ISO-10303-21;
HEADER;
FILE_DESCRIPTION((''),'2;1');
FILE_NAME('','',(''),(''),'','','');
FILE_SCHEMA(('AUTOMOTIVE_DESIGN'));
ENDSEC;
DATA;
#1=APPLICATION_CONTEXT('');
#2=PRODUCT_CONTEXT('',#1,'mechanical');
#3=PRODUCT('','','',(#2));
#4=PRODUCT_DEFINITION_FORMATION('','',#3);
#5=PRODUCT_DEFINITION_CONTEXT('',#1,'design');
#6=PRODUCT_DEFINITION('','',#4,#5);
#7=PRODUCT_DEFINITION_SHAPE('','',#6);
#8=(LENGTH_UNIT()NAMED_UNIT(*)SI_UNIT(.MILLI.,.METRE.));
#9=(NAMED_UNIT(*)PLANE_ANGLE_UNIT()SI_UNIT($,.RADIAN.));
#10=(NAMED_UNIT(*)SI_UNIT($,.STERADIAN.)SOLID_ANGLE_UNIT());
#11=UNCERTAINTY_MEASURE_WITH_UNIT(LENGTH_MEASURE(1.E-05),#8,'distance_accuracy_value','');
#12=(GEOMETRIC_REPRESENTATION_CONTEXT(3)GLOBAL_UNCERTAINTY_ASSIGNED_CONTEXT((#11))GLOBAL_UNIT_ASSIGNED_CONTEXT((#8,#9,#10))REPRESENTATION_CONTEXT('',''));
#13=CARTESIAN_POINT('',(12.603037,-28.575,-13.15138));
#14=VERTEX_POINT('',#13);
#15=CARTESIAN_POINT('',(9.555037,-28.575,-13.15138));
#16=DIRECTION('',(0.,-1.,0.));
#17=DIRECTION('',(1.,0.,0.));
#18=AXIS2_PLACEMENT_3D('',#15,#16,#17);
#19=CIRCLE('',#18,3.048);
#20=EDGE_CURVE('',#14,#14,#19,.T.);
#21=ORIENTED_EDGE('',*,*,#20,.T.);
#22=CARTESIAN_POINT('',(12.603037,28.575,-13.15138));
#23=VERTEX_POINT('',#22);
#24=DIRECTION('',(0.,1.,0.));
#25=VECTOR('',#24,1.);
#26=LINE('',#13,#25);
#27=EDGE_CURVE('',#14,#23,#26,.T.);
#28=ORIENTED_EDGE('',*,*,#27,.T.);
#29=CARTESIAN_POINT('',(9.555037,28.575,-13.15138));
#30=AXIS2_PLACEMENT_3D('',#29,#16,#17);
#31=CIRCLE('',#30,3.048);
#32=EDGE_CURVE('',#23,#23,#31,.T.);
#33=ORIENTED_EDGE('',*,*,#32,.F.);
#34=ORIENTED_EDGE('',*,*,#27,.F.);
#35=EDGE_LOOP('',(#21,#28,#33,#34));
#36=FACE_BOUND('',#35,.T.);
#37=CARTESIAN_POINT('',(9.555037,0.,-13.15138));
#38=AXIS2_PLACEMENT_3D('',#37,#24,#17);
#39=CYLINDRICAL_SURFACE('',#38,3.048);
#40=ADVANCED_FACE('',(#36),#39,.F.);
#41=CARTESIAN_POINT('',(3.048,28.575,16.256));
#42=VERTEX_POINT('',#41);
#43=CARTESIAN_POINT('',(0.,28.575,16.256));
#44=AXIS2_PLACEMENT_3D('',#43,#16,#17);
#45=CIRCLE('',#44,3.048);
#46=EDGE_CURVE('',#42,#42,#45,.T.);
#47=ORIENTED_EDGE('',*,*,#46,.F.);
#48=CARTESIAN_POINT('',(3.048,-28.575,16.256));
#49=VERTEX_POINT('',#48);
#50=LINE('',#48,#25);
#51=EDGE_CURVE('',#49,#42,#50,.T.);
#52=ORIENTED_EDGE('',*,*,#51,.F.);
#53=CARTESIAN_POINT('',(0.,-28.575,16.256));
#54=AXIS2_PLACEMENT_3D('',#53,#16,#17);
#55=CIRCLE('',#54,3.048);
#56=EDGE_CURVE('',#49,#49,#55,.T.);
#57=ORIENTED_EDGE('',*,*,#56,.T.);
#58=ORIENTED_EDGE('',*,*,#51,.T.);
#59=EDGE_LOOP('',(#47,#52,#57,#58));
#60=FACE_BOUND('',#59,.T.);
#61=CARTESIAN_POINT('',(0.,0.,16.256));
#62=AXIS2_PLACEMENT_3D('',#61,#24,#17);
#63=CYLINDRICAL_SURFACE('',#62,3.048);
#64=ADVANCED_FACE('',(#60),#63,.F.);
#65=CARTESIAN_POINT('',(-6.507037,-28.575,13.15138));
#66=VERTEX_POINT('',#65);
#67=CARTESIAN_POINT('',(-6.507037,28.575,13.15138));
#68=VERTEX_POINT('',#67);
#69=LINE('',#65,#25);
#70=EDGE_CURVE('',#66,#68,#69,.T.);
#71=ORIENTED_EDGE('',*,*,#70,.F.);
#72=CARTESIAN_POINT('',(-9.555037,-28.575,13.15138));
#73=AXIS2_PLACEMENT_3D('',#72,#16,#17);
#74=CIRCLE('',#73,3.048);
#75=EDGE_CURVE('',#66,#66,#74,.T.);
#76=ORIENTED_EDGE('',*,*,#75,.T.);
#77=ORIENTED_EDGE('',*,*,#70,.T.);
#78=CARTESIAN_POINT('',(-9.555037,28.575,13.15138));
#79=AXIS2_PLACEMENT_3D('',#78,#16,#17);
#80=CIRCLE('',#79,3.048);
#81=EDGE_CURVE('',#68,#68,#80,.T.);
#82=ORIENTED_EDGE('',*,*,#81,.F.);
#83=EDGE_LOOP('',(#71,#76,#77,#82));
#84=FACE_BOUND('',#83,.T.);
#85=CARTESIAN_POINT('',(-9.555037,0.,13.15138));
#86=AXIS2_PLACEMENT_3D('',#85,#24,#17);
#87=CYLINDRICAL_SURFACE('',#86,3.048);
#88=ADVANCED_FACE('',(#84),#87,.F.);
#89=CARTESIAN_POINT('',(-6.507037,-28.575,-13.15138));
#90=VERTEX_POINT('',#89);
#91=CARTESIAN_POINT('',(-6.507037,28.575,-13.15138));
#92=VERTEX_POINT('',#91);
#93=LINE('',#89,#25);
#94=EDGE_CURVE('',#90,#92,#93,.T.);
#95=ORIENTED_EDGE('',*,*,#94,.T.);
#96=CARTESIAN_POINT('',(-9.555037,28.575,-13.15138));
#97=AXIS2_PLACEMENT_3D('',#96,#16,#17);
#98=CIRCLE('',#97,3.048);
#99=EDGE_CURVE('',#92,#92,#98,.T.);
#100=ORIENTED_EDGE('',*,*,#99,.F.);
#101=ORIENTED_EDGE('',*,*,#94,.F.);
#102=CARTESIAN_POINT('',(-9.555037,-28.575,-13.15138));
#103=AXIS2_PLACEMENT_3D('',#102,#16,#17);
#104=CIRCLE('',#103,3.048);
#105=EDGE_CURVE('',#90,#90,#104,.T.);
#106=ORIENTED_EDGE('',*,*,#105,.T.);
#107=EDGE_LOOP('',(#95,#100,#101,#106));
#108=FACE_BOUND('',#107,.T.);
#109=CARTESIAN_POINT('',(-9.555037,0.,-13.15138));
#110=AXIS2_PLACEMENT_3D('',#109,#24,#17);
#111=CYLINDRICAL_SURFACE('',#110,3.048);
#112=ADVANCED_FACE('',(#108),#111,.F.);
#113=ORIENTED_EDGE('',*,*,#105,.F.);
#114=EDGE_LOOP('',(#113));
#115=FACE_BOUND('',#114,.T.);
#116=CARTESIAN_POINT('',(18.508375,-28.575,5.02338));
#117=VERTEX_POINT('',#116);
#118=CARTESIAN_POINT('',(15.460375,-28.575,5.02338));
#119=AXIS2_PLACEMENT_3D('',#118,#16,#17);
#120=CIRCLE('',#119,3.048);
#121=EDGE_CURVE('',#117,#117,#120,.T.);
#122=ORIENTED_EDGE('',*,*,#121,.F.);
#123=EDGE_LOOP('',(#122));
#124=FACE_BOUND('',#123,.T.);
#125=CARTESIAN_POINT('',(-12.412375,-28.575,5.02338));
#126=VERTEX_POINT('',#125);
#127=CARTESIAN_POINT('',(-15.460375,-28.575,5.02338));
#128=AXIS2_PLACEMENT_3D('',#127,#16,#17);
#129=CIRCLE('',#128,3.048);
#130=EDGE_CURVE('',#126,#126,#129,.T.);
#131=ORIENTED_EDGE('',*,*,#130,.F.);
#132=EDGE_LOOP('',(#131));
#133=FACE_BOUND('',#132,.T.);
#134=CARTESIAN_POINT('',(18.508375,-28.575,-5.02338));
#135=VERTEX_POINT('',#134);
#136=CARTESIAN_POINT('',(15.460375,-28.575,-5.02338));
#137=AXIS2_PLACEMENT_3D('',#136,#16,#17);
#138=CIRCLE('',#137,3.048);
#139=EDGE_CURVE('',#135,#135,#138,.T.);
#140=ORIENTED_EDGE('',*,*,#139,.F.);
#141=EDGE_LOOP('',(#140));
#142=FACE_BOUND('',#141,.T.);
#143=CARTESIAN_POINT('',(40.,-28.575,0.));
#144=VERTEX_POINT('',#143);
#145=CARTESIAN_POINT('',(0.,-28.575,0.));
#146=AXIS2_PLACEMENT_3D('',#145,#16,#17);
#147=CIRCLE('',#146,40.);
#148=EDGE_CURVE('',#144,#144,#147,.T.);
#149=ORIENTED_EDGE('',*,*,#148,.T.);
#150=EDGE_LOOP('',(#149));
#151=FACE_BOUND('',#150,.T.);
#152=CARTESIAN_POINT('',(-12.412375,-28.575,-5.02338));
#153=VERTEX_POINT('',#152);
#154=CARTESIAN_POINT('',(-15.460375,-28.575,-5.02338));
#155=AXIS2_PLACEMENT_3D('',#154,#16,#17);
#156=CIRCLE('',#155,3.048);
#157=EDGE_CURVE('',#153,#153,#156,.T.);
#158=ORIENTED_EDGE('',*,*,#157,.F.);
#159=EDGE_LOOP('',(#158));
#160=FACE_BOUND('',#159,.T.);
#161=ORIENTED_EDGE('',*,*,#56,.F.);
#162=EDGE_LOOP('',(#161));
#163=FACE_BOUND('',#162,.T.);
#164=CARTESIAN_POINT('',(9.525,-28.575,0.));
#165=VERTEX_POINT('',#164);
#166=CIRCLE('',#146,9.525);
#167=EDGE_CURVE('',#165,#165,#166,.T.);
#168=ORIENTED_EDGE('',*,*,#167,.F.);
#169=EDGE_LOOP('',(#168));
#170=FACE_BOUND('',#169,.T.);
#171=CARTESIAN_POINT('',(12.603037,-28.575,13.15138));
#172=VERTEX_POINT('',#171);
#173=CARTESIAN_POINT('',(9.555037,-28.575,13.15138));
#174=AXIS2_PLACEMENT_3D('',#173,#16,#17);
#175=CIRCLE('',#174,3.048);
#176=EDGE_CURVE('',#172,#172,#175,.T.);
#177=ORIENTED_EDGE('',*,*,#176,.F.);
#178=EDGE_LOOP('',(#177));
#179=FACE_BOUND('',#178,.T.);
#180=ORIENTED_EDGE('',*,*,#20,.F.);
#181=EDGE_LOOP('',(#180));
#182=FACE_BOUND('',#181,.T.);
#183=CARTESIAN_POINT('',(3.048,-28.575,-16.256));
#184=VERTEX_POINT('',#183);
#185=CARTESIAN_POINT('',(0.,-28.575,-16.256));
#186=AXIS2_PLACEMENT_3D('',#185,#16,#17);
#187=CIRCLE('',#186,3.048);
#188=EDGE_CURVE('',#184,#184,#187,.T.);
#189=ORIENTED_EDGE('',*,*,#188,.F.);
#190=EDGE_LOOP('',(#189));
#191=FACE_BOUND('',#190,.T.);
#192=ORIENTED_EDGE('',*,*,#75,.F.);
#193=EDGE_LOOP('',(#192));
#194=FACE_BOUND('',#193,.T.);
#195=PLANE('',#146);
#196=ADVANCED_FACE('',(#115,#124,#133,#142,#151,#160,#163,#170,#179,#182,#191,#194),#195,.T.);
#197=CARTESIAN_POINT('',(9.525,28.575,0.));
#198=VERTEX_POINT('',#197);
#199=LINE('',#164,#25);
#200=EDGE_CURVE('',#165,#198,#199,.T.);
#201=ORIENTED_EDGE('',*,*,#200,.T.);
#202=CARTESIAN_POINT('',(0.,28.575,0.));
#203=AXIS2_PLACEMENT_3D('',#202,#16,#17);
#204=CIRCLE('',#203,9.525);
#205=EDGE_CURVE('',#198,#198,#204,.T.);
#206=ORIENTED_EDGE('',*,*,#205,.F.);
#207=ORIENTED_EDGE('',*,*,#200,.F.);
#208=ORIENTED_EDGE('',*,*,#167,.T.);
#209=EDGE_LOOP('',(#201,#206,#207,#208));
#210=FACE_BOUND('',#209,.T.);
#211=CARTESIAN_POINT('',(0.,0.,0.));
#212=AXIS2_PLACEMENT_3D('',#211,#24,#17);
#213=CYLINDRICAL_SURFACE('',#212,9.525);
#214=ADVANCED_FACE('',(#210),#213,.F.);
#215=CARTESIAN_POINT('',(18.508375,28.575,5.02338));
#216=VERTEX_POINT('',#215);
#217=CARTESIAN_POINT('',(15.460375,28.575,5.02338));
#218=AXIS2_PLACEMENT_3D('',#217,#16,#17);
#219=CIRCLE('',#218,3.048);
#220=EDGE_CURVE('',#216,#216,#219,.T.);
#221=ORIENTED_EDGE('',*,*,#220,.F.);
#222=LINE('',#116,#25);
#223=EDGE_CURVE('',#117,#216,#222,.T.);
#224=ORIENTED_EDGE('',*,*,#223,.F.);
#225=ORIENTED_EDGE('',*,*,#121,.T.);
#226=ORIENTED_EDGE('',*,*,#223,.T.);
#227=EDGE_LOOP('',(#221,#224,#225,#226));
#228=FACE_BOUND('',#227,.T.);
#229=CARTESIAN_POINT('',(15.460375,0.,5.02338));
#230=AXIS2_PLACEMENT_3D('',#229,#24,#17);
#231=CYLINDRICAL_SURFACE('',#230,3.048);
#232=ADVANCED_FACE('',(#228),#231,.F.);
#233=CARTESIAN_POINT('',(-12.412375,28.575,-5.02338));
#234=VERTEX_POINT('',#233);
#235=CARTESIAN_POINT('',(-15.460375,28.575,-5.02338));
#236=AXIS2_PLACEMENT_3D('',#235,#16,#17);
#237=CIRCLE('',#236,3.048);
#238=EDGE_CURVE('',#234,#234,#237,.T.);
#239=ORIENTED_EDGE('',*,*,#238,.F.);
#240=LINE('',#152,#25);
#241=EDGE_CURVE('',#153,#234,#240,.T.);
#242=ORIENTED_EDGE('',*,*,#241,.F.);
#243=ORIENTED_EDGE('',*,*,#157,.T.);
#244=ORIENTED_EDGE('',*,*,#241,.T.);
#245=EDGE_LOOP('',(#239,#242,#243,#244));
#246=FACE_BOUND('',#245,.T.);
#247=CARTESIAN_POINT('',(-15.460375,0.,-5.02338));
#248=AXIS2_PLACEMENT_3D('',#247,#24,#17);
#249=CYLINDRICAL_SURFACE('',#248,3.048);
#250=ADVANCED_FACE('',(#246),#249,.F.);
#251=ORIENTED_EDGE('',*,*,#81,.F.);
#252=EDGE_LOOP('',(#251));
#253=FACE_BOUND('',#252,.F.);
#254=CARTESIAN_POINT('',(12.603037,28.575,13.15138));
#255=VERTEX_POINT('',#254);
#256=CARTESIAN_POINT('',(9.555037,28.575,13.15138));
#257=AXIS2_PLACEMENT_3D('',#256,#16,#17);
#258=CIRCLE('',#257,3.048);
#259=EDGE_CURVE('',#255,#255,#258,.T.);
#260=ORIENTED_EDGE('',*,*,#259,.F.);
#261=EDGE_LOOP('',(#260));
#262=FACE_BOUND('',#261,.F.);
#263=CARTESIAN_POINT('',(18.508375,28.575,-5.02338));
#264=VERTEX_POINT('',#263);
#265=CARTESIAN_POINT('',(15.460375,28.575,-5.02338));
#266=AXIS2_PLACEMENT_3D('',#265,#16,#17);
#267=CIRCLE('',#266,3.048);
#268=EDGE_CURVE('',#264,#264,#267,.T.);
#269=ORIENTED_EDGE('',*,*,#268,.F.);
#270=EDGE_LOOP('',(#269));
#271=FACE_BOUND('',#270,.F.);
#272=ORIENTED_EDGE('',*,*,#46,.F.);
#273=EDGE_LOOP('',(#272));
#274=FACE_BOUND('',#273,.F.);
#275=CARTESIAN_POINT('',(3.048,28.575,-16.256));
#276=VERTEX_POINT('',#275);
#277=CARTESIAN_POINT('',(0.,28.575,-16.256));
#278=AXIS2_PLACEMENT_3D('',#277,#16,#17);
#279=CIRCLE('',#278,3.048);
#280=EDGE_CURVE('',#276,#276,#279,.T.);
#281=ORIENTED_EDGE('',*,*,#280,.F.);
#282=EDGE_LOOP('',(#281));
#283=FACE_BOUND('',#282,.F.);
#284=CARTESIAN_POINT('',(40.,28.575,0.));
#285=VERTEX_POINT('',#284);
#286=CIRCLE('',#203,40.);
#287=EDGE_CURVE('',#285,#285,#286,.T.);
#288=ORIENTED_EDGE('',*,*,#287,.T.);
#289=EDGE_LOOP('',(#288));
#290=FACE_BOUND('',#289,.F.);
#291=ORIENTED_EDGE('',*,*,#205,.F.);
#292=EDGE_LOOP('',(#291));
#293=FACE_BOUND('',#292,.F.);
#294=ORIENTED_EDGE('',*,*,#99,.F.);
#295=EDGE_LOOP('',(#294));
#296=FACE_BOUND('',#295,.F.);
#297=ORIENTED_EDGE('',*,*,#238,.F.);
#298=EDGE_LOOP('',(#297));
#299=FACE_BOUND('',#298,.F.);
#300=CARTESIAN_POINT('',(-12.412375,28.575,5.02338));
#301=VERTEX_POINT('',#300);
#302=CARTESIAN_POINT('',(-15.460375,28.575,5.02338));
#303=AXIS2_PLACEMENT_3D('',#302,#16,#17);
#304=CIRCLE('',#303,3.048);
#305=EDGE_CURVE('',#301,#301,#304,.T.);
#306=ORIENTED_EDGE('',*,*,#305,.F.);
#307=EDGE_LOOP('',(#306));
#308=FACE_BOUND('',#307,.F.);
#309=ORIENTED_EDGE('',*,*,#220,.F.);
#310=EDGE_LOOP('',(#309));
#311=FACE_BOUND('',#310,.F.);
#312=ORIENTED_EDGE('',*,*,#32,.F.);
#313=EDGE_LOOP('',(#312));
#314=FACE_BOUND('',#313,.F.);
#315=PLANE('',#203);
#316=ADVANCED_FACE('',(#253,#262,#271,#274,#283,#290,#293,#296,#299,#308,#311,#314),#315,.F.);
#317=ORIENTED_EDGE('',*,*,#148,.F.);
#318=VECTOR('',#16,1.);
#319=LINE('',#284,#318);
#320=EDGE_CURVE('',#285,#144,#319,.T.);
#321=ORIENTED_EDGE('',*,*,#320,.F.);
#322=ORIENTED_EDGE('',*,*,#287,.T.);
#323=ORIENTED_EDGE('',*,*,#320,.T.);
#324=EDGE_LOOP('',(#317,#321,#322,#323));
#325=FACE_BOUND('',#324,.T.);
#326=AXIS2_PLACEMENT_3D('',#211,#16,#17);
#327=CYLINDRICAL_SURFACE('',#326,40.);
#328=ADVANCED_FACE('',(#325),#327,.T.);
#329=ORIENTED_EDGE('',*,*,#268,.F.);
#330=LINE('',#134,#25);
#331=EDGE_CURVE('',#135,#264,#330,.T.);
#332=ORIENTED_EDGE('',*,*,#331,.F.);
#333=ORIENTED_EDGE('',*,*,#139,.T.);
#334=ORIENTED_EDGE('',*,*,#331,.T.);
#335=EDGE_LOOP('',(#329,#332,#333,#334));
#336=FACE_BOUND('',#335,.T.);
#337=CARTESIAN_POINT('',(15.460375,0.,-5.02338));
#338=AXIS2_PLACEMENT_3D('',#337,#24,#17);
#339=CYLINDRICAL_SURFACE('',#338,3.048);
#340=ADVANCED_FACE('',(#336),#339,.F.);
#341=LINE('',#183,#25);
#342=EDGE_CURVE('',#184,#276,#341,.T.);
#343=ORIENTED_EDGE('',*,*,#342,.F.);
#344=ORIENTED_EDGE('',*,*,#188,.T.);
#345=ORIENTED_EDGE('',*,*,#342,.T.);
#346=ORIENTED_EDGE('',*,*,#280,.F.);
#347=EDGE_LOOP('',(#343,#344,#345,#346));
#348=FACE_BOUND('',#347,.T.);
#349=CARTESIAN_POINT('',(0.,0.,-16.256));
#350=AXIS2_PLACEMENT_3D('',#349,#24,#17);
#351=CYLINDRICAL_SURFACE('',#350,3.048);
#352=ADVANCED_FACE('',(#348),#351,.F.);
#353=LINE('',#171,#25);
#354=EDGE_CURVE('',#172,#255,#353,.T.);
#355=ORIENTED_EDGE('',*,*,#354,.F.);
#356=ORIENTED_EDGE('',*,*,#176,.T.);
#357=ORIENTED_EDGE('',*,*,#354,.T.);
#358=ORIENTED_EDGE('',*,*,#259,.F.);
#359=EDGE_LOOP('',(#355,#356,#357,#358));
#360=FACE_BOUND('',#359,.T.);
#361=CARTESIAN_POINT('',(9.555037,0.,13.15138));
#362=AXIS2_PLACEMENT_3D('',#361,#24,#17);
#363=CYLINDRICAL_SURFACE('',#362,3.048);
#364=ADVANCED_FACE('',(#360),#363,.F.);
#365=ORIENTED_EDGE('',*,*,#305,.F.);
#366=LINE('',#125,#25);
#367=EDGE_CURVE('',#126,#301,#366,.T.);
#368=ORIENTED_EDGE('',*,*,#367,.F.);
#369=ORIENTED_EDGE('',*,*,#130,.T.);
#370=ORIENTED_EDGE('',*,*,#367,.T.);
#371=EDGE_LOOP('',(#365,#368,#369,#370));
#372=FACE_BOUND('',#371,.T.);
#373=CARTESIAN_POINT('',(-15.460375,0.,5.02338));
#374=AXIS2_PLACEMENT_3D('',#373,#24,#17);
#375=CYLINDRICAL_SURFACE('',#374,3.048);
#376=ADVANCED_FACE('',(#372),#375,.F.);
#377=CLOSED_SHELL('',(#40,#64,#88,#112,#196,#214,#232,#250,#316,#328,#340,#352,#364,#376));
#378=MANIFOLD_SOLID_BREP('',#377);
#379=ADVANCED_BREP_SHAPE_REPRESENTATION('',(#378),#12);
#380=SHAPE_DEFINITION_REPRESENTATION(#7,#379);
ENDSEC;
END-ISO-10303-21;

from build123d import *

# Parameters (mm, degrees)
F0_R     = 40
F0_R_2   = 3.048
F0_R_3   = 9.525
F1_DEPTH = 28.575


with BuildPart() as f1:
    # F0 (on Front) → F1 (new body, symmetric)
    with BuildSketch(Plane.XZ):
        Circle(F0_R)
        with Locations((-9.555037, -13.15138)):
            Circle(F0_R_2, mode=Mode.SUBTRACT)
        with Locations((-15.460375, -5.02338)):
            Circle(F0_R_2, mode=Mode.SUBTRACT)
        with Locations((0, -16.256)):
            Circle(F0_R_2, mode=Mode.SUBTRACT)
        with Locations((9.555037, -13.15138)):
            Circle(F0_R_2, mode=Mode.SUBTRACT)
        with Locations((15.460375, -5.02338)):
            Circle(F0_R_2, mode=Mode.SUBTRACT)
        with Locations((-15.460375, 5.02338)):
            Circle(F0_R_2, mode=Mode.SUBTRACT)
        with Locations((-9.555037, 13.15138)):
            Circle(F0_R_2, mode=Mode.SUBTRACT)
        Circle(F0_R_3, mode=Mode.SUBTRACT)
        with Locations((15.460375, 5.02338)):
            Circle(F0_R_2, mode=Mode.SUBTRACT)
        with Locations((9.555037, 13.15138)):
            Circle(F0_R_2, mode=Mode.SUBTRACT)
        with Locations((0, 16.256)):
            Circle(F0_R_2, mode=Mode.SUBTRACT)
    extrude(amount=F1_DEPTH, both=True)


solid = f1.part
